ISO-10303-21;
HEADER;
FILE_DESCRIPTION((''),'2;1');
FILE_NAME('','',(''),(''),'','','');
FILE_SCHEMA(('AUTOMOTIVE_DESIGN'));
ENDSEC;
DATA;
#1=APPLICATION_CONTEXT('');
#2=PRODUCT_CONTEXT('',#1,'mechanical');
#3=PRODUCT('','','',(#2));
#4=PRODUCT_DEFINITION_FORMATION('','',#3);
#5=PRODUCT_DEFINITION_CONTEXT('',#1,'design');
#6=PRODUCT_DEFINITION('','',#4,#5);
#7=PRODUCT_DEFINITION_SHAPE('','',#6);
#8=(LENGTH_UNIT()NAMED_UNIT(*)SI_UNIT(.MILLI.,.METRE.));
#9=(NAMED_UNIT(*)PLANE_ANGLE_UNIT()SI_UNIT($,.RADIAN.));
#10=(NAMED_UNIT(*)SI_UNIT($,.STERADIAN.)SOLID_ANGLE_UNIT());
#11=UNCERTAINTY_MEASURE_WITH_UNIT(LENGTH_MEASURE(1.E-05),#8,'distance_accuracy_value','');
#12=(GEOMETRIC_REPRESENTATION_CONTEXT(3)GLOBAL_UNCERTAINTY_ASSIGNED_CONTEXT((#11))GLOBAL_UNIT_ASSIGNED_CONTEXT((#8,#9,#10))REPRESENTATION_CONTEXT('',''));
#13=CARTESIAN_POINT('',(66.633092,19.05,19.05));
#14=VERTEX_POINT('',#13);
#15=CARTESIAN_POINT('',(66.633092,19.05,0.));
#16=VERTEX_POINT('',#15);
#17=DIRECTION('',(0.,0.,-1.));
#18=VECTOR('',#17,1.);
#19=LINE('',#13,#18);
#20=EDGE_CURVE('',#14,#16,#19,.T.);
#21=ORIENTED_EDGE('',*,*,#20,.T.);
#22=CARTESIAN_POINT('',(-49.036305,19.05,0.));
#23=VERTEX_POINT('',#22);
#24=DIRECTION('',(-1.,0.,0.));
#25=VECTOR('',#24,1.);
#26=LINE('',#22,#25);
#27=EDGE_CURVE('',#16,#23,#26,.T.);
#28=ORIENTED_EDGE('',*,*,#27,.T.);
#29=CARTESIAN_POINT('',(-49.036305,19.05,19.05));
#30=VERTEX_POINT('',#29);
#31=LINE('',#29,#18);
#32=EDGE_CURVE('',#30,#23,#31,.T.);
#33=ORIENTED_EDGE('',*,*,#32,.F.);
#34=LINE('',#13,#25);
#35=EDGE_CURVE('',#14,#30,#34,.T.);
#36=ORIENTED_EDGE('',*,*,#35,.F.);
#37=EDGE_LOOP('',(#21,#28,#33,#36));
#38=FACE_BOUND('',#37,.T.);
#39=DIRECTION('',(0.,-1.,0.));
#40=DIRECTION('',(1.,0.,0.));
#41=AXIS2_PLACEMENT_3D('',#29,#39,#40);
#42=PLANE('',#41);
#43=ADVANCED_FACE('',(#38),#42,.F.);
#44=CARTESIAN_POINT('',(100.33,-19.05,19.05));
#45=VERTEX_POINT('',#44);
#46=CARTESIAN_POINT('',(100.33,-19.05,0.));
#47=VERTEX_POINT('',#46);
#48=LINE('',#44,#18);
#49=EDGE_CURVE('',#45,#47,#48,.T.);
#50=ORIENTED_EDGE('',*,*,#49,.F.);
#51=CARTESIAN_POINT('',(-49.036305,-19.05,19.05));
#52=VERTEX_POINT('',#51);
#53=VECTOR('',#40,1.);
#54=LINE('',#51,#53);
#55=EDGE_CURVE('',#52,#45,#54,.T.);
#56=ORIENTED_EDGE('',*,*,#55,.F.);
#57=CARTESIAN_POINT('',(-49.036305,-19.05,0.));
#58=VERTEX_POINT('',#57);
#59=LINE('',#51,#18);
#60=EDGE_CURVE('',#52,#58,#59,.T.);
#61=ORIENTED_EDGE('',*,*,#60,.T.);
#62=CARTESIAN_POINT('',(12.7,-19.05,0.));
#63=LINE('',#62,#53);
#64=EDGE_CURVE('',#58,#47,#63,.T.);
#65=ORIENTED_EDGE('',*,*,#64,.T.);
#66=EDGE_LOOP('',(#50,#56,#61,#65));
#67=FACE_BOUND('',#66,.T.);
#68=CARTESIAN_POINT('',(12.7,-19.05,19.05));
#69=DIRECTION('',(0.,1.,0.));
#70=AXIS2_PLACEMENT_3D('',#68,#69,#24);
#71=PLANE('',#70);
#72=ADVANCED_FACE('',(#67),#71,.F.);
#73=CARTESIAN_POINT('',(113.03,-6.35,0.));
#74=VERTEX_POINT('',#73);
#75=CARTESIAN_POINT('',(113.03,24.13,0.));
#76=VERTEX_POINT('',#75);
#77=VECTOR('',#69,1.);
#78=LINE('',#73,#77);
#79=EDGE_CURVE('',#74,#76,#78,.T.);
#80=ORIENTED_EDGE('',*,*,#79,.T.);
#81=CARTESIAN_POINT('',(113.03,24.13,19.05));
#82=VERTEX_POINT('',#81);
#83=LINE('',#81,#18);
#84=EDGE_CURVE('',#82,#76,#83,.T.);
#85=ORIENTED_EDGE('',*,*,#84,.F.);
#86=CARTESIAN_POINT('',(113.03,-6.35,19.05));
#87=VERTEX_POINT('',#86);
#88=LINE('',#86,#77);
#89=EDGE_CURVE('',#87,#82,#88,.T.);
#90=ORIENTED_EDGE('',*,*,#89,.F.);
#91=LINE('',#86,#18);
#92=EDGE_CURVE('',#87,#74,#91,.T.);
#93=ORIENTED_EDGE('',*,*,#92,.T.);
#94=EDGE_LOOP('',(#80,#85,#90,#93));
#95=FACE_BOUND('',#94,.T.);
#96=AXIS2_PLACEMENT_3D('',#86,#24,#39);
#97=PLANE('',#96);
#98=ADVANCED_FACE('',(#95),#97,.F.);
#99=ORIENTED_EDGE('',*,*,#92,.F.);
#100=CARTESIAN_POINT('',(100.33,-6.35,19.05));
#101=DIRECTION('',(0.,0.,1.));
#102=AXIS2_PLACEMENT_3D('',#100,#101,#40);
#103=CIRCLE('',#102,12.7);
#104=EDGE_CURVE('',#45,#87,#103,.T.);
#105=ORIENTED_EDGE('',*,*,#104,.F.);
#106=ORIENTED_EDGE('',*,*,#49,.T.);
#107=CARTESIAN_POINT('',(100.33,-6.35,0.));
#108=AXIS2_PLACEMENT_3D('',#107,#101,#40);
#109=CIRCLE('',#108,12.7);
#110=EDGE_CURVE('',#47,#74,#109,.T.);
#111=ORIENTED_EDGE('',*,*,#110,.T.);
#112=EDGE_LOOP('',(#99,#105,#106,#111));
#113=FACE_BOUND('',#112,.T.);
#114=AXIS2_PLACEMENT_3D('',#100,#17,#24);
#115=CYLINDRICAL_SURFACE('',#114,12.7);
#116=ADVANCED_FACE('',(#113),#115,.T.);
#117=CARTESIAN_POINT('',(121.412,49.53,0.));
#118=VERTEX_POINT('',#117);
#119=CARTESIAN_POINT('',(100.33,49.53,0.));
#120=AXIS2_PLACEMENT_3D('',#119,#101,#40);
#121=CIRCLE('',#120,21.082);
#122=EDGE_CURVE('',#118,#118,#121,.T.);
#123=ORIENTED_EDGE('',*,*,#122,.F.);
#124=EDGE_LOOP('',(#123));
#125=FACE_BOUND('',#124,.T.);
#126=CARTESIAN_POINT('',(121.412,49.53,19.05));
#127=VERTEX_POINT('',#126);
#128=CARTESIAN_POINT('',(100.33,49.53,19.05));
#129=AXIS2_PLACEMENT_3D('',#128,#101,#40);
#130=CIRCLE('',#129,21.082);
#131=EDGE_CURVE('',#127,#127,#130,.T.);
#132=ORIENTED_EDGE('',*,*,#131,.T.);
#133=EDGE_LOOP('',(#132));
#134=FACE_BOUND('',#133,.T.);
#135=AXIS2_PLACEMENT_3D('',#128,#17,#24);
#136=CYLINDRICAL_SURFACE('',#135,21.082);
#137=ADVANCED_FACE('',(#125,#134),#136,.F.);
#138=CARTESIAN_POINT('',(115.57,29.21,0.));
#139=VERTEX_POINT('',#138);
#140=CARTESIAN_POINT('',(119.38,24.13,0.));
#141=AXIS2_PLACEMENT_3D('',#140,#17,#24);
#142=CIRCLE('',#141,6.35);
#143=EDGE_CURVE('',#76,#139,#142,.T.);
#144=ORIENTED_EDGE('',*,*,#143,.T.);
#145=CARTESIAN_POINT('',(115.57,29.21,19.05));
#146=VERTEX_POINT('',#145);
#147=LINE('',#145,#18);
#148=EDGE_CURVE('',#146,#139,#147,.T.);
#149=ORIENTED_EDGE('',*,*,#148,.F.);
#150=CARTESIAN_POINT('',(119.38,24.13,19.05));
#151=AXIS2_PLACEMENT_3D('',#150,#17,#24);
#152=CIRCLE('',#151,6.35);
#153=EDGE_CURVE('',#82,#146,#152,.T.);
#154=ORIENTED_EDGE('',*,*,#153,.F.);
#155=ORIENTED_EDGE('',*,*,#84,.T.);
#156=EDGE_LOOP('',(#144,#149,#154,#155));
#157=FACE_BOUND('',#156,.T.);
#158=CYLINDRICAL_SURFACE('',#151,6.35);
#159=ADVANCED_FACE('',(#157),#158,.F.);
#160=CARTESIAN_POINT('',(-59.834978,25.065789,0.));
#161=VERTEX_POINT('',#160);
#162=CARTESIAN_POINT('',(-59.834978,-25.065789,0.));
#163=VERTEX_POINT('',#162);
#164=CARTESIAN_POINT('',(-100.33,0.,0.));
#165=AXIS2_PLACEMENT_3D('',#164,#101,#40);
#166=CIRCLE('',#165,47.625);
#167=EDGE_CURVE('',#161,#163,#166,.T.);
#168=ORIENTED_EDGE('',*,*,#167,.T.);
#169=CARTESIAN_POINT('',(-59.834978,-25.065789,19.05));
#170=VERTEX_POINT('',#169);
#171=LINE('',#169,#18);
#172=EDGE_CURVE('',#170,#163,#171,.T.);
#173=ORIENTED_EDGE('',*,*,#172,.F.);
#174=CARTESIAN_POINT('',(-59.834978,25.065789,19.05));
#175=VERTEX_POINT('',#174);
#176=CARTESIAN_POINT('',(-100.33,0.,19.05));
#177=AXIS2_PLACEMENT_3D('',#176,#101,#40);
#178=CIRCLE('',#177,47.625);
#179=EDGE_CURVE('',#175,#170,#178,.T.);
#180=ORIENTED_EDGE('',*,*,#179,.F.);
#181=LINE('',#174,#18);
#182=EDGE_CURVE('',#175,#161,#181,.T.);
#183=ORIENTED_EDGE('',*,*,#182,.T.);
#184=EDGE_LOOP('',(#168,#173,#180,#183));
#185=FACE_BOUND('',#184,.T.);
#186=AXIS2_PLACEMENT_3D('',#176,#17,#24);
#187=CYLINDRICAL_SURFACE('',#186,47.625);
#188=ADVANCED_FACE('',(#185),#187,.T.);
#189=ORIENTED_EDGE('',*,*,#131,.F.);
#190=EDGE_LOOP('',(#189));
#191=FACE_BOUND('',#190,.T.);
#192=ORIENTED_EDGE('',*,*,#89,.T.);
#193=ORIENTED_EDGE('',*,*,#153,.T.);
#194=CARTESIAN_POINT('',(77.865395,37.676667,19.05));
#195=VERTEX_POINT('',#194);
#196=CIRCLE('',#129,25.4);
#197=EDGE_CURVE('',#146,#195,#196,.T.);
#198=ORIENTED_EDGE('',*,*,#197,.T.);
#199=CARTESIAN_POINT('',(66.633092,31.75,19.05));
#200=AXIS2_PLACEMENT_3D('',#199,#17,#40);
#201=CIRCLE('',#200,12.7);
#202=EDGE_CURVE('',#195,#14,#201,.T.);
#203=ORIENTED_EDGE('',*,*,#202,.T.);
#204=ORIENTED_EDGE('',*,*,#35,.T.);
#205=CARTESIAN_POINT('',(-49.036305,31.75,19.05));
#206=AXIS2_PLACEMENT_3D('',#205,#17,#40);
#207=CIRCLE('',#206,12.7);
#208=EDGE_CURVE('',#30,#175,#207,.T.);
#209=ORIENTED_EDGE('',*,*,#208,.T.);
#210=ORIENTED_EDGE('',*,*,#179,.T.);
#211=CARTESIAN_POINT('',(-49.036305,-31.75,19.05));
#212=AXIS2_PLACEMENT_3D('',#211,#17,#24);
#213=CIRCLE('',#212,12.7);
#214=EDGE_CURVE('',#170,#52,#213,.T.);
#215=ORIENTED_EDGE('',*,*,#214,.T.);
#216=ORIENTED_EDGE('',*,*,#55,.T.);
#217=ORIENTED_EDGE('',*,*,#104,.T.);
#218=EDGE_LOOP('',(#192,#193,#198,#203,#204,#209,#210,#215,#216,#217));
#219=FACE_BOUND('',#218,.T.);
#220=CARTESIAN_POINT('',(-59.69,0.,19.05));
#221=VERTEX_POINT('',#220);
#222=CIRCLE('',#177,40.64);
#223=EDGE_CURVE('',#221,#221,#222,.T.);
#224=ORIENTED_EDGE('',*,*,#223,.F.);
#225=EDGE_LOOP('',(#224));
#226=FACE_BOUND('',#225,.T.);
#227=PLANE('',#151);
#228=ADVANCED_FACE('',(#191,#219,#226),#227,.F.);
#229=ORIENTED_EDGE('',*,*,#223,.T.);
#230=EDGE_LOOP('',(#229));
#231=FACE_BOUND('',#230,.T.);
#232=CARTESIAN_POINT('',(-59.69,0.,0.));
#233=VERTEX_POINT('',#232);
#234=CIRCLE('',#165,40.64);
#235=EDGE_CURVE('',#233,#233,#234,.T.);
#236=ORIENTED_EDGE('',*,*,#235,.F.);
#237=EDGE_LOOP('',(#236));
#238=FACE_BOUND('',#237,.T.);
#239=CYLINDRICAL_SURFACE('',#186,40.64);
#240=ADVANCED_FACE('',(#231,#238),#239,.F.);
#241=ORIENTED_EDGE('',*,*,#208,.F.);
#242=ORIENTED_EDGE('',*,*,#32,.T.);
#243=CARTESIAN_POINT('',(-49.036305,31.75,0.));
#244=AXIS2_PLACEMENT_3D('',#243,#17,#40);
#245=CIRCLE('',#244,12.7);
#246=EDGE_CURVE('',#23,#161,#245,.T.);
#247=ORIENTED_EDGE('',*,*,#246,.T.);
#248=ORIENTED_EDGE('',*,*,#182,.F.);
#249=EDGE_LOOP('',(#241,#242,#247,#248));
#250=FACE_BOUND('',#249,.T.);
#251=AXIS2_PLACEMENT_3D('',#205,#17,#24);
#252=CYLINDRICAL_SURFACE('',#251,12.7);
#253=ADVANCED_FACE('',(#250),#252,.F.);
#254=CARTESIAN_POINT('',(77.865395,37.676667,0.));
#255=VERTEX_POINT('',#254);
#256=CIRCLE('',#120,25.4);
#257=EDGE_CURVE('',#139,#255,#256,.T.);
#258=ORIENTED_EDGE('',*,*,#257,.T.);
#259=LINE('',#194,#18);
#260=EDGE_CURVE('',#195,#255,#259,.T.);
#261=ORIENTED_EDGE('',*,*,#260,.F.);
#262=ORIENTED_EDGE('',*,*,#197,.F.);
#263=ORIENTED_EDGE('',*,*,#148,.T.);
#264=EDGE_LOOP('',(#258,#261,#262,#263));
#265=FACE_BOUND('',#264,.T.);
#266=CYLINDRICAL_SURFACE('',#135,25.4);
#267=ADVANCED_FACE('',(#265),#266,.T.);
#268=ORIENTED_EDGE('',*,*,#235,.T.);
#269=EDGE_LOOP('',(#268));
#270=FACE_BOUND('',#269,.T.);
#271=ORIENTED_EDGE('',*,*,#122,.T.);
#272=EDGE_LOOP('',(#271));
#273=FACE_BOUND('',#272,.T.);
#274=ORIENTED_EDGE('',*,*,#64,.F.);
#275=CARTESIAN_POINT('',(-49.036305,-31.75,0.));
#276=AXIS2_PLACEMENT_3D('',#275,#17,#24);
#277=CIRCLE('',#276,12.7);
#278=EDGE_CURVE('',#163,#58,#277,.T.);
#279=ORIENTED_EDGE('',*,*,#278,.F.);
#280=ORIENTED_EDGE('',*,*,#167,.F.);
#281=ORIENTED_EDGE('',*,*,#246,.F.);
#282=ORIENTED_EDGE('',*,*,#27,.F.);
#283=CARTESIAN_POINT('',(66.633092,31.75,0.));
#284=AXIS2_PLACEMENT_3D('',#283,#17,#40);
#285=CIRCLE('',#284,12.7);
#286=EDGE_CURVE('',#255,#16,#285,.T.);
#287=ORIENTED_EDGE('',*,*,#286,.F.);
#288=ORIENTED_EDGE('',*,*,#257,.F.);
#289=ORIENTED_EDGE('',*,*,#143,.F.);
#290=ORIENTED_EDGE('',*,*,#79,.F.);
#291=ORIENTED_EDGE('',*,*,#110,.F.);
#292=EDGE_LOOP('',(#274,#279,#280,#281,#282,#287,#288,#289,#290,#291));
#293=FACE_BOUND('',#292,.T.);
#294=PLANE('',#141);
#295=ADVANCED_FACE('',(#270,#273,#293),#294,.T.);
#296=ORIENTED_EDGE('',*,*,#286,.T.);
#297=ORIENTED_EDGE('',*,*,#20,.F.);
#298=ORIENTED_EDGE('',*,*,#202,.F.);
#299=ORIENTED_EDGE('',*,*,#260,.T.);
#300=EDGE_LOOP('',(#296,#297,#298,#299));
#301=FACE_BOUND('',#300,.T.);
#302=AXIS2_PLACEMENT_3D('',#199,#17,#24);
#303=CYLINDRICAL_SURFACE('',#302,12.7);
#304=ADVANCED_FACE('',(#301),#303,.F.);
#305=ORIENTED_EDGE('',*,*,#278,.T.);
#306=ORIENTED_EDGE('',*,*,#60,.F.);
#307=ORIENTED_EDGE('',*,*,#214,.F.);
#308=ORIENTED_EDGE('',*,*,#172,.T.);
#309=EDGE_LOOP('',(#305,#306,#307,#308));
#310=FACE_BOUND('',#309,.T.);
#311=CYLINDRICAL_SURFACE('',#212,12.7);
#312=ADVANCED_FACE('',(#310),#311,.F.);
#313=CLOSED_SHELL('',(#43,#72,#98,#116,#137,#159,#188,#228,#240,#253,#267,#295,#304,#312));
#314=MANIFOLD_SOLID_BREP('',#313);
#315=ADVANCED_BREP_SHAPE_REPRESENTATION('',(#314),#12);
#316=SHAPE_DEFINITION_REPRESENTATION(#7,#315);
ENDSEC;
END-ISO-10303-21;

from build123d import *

# Parameters (mm, degrees)
SKETCH1_R           = 40.64
SKETCH1_R_2         = 21.082
BOSS_EXTRUDE1_DEPTH = 19.05


with BuildPart() as part:
    # Sketch1 → Boss-Extrude1 (new body)
    with BuildSketch(Plane.XY):
        with BuildLine():
            Line((-49.036305212, 19.05), (-12.7, 19.05))
            Line((-12.7, 19.05), (66.63309213, 19.05))
            ThreePointArc((66.63309213, 19.05), (77.50872238, 25.1917482), (77.865394753, 37.676666667))
            ThreePointArc((77.865394753, 37.676666667), (86.740959905, 70.989216885), (120.65, 64.77))
            ThreePointArc((120.65, 64.77), (125.73, 49.53), (120.65, 34.29))
            ThreePointArc((120.65, 34.29), (118.290512242, 31.569487758), (115.57, 29.21))
            ThreePointArc((115.57, 29.21), (113.700387337, 26.969806331), (113.03, 24.13))
            Line((113.03, 24.13), (113.03, -6.35))
            ThreePointArc((113.03, -6.35), (109.310256121, -15.330256121), (100.33, -19.05))
            Line((100.33, -19.05), (12.7, -19.05))
            Line((12.7, -19.05), (-49.036305212, -19.05))
            ThreePointArc((-49.036305212, -19.05), (-55.216941357, -20.655418582), (-59.834977799, -25.065789474))
            ThreePointArc((-59.834977799, -25.065789474), (-101.860987289, -47.600385533), (-142.352058824, -22.411764706))
            ThreePointArc((-142.352058824, -22.411764706), (-147.955, 0), (-142.352058824, 22.411764706))
            ThreePointArc((-142.352058824, 22.411764706), (-101.860987289, 47.600385533), (-59.834977799, 25.065789474))
            ThreePointArc((-59.834977799, 25.065789474), (-55.216941357, 20.655418582), (-49.036305212, 19.05))
        make_face()
        with Locations((-100.33, 0)):
            Circle(SKETCH1_R, mode=Mode.SUBTRACT)
        with Locations((100.33, 49.53)):
            Circle(SKETCH1_R_2, mode=Mode.SUBTRACT)
    extrude(amount=BOSS_EXTRUDE1_DEPTH)


solid = part.part
